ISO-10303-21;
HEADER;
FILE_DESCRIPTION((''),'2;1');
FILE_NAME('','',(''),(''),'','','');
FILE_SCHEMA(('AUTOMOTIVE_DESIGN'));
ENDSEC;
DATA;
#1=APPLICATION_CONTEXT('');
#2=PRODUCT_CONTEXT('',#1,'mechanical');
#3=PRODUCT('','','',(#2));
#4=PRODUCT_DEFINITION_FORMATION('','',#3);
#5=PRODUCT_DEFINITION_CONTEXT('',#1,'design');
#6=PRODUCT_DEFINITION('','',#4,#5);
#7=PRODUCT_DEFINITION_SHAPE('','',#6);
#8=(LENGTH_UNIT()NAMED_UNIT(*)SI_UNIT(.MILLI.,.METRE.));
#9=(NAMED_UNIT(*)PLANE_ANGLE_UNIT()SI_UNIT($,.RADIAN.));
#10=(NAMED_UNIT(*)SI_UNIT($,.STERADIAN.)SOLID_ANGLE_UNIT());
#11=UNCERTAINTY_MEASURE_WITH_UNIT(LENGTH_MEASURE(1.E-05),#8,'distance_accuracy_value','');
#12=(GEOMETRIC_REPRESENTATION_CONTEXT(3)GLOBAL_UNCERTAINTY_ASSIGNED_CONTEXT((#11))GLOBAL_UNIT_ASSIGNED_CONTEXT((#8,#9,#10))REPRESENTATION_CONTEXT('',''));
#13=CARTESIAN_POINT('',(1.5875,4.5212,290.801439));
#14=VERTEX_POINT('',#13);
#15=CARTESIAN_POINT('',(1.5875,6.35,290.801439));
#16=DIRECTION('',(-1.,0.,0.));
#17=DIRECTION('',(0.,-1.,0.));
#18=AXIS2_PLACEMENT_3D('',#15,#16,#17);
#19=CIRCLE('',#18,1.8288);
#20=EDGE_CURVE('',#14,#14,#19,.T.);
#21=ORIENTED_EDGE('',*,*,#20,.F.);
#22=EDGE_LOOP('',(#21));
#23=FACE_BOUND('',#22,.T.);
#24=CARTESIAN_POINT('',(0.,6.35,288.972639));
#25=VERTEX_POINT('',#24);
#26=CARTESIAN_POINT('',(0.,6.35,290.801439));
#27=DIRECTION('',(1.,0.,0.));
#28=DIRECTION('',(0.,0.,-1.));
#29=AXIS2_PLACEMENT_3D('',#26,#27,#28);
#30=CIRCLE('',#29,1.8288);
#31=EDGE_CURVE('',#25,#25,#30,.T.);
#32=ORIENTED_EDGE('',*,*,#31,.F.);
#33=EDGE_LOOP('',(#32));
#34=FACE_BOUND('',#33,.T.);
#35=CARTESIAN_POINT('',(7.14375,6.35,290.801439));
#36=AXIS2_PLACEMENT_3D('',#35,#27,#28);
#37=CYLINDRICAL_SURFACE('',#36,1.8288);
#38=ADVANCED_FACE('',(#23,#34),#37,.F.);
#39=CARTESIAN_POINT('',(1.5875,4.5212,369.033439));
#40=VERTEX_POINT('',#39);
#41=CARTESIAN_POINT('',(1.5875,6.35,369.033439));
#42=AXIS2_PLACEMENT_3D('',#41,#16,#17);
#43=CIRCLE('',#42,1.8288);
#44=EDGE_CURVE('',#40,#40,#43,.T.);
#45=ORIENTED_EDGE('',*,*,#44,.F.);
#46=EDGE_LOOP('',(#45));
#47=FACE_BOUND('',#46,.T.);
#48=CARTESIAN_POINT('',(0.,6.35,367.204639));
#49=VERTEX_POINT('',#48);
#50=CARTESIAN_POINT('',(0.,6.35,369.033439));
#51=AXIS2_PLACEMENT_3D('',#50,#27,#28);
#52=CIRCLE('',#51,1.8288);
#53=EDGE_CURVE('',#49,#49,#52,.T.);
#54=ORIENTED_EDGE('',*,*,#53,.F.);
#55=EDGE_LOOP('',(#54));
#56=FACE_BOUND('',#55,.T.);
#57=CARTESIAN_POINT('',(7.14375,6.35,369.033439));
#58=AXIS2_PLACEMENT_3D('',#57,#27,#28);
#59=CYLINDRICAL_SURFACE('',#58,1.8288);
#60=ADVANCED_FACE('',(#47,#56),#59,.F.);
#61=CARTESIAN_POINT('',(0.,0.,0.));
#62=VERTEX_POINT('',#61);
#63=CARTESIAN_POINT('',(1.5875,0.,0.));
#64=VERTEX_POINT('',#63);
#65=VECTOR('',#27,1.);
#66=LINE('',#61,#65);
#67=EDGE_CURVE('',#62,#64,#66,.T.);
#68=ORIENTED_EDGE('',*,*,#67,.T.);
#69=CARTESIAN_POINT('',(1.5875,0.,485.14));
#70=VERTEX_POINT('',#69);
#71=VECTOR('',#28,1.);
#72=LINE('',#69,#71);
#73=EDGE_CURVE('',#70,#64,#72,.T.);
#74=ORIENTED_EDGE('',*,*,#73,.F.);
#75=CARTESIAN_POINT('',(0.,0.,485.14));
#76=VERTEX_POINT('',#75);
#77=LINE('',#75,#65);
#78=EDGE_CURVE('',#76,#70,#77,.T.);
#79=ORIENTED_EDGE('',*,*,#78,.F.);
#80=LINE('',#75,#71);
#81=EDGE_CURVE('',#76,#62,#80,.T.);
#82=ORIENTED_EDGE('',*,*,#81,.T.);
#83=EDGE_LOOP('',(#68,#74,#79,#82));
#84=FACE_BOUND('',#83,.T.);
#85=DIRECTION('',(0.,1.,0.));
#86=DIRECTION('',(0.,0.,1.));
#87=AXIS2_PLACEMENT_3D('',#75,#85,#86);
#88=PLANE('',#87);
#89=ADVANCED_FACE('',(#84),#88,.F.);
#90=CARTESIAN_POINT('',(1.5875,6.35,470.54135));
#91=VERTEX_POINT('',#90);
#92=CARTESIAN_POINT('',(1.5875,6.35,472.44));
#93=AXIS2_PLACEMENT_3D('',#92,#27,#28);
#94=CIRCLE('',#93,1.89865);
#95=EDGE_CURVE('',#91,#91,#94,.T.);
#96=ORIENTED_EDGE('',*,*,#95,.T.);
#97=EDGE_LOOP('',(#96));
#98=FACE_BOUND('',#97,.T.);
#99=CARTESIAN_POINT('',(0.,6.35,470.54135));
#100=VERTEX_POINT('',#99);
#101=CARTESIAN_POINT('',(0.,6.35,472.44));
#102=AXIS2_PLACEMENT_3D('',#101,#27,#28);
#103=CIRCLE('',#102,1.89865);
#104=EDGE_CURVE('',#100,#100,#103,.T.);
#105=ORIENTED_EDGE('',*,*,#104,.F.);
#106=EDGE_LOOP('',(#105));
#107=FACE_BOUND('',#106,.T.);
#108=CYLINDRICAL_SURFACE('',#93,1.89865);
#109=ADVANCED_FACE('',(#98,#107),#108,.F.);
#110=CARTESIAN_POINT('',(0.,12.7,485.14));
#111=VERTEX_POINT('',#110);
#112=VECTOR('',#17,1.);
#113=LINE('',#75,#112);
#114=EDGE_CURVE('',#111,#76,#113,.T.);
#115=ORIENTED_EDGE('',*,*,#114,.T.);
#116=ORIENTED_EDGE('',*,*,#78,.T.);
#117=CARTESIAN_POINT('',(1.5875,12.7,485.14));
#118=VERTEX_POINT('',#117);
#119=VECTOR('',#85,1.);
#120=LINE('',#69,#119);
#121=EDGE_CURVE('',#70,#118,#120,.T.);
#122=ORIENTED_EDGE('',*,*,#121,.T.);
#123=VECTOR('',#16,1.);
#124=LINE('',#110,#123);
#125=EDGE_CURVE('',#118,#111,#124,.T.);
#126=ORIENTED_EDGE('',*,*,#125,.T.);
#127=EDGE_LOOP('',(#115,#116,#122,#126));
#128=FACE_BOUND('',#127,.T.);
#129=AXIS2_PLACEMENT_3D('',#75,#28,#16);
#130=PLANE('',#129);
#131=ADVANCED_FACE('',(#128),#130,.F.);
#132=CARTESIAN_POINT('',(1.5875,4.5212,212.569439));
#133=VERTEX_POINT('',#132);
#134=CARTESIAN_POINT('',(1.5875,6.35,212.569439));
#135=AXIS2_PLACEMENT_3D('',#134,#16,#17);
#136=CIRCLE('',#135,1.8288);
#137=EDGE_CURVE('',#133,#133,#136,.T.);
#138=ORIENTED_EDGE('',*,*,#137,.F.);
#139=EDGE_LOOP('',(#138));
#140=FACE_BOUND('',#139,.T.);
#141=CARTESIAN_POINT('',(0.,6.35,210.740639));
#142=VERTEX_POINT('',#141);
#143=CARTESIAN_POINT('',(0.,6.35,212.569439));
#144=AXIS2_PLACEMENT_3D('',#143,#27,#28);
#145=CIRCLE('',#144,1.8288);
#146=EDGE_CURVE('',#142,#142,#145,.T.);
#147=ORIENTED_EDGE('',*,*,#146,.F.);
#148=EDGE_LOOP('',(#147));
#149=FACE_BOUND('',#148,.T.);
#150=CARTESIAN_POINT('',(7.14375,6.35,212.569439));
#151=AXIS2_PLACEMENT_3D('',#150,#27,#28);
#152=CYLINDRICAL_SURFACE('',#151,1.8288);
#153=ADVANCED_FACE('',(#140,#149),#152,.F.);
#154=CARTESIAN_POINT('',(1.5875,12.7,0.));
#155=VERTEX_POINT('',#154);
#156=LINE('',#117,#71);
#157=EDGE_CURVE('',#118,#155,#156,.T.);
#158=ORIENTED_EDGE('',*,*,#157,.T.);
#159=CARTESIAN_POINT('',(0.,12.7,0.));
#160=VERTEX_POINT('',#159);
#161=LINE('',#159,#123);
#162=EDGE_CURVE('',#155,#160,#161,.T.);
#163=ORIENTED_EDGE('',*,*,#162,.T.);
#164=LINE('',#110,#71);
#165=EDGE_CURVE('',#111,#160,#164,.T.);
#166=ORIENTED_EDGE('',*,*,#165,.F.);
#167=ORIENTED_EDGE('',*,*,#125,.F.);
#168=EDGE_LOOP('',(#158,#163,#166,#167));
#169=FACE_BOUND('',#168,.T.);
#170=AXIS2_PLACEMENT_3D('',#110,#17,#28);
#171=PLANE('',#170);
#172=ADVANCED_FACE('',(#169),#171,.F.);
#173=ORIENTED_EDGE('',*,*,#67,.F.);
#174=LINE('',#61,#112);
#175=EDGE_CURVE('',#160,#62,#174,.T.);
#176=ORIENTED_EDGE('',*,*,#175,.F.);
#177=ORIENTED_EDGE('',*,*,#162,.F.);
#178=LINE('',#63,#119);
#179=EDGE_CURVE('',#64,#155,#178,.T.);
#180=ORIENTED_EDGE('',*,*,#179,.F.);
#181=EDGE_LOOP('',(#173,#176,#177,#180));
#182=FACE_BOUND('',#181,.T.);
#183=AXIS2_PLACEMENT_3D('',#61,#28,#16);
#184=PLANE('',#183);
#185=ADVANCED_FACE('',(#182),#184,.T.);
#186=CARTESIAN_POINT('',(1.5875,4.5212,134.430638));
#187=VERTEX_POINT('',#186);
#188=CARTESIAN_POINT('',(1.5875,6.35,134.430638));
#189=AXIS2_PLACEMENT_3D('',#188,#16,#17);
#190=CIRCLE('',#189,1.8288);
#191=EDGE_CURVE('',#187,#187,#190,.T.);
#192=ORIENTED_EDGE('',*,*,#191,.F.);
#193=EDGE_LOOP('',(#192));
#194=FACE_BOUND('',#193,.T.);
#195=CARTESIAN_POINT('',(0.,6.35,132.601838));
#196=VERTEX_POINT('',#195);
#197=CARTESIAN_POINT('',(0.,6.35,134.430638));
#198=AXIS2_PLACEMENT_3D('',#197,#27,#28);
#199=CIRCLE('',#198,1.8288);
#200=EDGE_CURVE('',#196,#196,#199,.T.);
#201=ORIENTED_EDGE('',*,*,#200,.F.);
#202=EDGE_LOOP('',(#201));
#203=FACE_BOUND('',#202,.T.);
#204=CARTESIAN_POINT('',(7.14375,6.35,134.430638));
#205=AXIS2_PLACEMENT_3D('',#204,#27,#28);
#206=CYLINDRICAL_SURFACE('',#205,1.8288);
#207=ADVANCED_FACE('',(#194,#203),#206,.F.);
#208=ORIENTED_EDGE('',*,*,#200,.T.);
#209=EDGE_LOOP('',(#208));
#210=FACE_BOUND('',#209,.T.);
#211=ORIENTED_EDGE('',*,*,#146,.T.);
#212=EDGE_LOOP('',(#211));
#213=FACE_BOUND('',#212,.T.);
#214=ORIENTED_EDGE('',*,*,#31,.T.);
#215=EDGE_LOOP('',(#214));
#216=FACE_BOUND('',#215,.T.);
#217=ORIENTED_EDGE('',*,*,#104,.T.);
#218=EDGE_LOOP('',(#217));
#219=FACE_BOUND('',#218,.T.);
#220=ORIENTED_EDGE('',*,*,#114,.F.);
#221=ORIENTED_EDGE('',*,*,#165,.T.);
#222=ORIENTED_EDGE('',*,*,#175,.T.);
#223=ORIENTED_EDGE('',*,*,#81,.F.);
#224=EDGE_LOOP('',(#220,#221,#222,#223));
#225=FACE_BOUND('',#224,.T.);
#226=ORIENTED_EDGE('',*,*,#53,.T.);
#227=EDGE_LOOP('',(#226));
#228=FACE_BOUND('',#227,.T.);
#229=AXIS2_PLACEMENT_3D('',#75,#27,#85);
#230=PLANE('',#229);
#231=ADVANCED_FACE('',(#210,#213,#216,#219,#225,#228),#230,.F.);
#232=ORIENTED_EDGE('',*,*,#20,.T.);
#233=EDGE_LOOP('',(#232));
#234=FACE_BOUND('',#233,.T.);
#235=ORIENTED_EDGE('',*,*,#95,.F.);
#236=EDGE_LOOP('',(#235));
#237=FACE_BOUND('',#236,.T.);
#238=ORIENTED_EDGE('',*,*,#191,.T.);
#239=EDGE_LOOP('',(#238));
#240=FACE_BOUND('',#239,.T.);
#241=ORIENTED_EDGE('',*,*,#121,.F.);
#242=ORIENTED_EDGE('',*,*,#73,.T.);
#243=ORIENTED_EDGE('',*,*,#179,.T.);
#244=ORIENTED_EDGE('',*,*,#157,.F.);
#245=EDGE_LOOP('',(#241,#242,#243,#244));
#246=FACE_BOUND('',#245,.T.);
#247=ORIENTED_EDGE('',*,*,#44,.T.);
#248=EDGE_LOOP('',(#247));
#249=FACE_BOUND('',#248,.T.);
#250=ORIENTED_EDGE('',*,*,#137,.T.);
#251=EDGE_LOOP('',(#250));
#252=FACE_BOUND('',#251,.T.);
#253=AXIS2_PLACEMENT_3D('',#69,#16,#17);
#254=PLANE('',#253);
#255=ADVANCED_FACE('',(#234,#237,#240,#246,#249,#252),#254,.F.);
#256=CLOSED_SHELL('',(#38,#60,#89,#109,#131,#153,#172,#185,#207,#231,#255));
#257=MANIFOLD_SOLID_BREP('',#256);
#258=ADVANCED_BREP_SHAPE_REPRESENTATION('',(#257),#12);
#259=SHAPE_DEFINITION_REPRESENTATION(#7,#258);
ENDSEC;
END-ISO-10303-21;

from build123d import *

# Parameters (mm, degrees)
SKETCH1_W             = 1.5875
SKETCH1_H             = 12.7
BOSS_EXTRUDE1_DEPTH   = 485.14
F_6_CLEARANCE_HOLE1_D = 3.7973
F_6_CLEARANCE_HOLE2_D = 3.6576


with BuildPart() as part:
    # Sketch1 → Boss-Extrude1 (new body)
    with BuildSketch(Plane.XY):
        with Locations((0.79375, 6.35)):
            Rectangle(SKETCH1_W, SKETCH1_H)
    extrude(amount=BOSS_EXTRUDE1_DEPTH)

    # #6 Clearance Hole1 (through all)
    with Locations(Plane(origin=(1.5875, 0, 0), x_dir=(0, 0, -1), z_dir=(1, 0, 0))):
        with Locations((-472.44, 6.35)):
            Hole(F_6_CLEARANCE_HOLE1_D / 2)

    # #6 Clearance Hole2 (through all)
    with Locations(Plane(origin=(7.14375, -24.631267391, -47.650434272), x_dir=(0, 0, -1), z_dir=(1, 0, 0))):
        with Locations((-416.683873726, 30.981267391), (-338.451873726, 30.981267391), (-260.219873726, 30.981267391), (-182.081072585, 30.981267391)):
            Hole(F_6_CLEARANCE_HOLE2_D / 2)


solid = part.part
